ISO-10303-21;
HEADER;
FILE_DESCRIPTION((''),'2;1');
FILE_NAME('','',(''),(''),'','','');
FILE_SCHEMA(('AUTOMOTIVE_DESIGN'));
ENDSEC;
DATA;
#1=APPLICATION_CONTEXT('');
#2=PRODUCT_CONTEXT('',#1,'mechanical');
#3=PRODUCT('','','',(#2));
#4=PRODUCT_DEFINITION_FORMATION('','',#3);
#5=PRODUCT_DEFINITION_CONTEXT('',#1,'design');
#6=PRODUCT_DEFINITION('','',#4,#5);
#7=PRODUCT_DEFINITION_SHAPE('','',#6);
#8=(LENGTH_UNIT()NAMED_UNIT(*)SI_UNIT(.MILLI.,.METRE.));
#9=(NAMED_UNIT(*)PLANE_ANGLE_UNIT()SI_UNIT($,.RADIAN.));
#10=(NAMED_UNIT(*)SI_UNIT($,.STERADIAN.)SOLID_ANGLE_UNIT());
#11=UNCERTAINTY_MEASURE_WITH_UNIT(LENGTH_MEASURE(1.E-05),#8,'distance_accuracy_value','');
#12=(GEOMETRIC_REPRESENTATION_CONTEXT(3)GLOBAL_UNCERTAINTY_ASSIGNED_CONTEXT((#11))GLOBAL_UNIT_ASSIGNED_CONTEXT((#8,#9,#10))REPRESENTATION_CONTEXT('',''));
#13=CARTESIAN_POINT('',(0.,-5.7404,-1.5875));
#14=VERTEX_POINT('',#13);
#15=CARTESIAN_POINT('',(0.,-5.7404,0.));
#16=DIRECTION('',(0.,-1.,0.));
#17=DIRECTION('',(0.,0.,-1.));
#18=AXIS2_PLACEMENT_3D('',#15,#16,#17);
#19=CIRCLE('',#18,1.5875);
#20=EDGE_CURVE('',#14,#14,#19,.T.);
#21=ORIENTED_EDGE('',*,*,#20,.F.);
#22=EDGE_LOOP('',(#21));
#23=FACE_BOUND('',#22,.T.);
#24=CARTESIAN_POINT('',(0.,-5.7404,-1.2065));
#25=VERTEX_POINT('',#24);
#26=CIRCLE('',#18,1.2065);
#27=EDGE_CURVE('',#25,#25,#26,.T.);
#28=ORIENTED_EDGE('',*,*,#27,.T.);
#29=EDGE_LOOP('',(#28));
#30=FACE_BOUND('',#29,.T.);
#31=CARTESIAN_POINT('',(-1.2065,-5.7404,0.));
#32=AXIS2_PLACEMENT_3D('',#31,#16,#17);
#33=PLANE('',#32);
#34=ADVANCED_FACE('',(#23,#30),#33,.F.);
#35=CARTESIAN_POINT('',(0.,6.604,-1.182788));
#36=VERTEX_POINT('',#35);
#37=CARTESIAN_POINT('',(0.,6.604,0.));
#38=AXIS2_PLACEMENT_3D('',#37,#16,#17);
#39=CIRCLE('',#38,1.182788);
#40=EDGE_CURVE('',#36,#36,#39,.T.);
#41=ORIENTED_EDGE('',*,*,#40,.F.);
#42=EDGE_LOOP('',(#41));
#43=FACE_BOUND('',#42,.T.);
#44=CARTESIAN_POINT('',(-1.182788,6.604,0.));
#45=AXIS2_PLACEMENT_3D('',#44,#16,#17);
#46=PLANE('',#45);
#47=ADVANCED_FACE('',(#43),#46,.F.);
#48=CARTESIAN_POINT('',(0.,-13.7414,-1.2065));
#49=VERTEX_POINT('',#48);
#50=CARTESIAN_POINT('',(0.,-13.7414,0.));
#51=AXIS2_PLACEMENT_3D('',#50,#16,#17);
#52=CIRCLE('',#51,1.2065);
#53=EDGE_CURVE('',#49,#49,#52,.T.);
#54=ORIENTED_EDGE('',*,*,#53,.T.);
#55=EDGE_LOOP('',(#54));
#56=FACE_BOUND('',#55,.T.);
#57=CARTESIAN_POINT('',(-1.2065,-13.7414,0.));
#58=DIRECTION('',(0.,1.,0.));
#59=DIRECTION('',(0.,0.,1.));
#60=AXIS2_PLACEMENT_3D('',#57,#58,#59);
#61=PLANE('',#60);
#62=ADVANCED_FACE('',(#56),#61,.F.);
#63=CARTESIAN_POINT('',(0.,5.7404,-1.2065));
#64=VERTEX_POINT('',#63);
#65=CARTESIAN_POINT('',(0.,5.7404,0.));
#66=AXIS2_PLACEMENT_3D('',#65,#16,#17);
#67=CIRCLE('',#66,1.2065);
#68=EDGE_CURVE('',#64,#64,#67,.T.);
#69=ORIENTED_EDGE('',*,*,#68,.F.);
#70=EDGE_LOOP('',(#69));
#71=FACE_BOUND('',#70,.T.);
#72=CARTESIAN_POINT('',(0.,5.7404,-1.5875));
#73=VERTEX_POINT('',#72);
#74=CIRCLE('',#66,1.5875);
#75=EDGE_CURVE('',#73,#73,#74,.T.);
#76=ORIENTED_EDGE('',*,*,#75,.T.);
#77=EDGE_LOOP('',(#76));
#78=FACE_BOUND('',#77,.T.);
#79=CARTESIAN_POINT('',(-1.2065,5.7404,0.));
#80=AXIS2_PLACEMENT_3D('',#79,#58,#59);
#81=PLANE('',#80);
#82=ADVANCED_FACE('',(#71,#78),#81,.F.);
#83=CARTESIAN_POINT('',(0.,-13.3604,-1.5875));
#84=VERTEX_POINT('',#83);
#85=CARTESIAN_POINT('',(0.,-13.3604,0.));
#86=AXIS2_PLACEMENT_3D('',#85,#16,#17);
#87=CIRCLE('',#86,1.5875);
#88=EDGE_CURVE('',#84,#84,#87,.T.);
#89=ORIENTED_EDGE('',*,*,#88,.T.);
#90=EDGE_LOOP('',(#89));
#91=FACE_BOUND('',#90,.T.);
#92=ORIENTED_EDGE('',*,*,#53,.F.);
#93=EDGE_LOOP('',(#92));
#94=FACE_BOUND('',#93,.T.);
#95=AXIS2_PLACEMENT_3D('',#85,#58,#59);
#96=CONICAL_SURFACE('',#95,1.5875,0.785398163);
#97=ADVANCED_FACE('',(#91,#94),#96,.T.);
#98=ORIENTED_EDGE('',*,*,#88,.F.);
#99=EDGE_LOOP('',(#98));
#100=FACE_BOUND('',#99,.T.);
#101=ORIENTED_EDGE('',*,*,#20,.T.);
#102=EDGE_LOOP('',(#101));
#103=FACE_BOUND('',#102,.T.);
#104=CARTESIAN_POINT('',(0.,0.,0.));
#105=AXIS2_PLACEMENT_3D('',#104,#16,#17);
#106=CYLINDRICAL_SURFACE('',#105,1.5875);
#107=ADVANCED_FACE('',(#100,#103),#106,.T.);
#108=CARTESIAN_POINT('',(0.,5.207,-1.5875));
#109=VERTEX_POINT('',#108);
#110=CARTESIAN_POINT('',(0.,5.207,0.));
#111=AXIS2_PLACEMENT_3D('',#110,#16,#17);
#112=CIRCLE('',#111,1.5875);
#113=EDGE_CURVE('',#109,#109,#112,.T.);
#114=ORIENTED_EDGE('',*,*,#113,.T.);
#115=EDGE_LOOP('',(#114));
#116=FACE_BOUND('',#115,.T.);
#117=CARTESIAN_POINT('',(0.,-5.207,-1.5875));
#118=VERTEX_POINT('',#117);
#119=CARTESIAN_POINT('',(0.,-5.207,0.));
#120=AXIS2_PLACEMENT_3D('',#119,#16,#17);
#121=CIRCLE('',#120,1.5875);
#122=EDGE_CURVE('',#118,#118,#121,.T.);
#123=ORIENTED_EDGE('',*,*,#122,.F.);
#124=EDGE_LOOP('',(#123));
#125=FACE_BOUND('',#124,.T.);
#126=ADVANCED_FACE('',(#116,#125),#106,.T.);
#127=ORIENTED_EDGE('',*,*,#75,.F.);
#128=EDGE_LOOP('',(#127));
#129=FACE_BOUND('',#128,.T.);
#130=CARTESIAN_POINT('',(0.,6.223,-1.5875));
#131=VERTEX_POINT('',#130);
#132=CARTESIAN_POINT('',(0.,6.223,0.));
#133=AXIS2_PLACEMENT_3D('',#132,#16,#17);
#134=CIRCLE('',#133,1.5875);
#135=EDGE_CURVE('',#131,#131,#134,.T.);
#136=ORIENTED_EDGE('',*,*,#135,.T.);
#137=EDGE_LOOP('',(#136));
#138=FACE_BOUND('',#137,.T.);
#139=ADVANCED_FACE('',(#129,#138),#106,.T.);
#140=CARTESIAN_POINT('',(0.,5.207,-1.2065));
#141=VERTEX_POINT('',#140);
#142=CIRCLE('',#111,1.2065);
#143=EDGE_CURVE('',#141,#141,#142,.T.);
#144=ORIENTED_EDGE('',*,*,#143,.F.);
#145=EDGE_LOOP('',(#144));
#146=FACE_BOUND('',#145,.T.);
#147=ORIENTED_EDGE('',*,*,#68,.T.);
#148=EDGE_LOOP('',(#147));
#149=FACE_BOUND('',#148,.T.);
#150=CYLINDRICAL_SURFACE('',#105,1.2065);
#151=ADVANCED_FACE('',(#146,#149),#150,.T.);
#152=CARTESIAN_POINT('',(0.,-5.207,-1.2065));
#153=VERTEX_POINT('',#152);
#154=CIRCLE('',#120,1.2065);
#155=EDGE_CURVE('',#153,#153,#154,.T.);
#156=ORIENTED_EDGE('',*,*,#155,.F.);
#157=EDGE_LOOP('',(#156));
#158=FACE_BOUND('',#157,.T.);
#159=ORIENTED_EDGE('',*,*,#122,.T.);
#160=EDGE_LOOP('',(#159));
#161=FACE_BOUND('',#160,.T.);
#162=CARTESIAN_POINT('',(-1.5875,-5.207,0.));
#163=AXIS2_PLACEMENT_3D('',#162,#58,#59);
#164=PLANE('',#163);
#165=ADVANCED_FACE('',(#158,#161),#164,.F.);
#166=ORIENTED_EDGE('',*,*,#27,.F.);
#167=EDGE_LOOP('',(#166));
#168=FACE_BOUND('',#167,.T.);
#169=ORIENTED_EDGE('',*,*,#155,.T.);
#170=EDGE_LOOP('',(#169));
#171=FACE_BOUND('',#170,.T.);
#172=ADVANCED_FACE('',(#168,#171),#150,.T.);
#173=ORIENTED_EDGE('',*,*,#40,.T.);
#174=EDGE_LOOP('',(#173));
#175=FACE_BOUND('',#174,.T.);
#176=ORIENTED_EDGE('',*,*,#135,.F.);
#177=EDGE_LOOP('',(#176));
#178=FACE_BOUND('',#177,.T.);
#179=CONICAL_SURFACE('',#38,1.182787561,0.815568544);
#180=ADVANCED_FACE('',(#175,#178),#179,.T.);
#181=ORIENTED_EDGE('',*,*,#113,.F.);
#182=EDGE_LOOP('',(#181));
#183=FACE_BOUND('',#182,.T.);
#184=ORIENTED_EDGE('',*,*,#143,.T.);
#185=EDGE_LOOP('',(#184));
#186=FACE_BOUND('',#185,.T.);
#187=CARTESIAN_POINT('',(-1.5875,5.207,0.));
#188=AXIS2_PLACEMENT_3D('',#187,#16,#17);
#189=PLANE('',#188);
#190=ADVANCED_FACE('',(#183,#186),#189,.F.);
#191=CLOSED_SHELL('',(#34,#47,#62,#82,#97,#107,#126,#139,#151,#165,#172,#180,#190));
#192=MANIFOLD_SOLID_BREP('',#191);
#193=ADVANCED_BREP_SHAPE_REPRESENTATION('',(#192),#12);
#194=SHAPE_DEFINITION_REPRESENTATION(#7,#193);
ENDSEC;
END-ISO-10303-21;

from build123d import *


with BuildPart() as part:
    # Sketch2 → Revolve4 (revolve)
    with BuildSketch(Plane.XY):
        Polygon((-1.5875, -5.207), (-1.5875, 5.207), (-1.2065, 5.207), (-1.2065, 5.7404), (-1.5875, 5.7404), (-1.5875, 6.223), (-1.182787561, 6.604), (0, 6.604), (0, -6.604), (0, -13.7414), (-1.2065, -13.7414), (-1.5875, -13.3604), (-1.5875, -5.7404), (-1.2065, -5.7404), (-1.2065, -5.207), align=None)
    revolve(axis=Axis((0, 0, 0), (0, 1, 0)))


solid = part.part
